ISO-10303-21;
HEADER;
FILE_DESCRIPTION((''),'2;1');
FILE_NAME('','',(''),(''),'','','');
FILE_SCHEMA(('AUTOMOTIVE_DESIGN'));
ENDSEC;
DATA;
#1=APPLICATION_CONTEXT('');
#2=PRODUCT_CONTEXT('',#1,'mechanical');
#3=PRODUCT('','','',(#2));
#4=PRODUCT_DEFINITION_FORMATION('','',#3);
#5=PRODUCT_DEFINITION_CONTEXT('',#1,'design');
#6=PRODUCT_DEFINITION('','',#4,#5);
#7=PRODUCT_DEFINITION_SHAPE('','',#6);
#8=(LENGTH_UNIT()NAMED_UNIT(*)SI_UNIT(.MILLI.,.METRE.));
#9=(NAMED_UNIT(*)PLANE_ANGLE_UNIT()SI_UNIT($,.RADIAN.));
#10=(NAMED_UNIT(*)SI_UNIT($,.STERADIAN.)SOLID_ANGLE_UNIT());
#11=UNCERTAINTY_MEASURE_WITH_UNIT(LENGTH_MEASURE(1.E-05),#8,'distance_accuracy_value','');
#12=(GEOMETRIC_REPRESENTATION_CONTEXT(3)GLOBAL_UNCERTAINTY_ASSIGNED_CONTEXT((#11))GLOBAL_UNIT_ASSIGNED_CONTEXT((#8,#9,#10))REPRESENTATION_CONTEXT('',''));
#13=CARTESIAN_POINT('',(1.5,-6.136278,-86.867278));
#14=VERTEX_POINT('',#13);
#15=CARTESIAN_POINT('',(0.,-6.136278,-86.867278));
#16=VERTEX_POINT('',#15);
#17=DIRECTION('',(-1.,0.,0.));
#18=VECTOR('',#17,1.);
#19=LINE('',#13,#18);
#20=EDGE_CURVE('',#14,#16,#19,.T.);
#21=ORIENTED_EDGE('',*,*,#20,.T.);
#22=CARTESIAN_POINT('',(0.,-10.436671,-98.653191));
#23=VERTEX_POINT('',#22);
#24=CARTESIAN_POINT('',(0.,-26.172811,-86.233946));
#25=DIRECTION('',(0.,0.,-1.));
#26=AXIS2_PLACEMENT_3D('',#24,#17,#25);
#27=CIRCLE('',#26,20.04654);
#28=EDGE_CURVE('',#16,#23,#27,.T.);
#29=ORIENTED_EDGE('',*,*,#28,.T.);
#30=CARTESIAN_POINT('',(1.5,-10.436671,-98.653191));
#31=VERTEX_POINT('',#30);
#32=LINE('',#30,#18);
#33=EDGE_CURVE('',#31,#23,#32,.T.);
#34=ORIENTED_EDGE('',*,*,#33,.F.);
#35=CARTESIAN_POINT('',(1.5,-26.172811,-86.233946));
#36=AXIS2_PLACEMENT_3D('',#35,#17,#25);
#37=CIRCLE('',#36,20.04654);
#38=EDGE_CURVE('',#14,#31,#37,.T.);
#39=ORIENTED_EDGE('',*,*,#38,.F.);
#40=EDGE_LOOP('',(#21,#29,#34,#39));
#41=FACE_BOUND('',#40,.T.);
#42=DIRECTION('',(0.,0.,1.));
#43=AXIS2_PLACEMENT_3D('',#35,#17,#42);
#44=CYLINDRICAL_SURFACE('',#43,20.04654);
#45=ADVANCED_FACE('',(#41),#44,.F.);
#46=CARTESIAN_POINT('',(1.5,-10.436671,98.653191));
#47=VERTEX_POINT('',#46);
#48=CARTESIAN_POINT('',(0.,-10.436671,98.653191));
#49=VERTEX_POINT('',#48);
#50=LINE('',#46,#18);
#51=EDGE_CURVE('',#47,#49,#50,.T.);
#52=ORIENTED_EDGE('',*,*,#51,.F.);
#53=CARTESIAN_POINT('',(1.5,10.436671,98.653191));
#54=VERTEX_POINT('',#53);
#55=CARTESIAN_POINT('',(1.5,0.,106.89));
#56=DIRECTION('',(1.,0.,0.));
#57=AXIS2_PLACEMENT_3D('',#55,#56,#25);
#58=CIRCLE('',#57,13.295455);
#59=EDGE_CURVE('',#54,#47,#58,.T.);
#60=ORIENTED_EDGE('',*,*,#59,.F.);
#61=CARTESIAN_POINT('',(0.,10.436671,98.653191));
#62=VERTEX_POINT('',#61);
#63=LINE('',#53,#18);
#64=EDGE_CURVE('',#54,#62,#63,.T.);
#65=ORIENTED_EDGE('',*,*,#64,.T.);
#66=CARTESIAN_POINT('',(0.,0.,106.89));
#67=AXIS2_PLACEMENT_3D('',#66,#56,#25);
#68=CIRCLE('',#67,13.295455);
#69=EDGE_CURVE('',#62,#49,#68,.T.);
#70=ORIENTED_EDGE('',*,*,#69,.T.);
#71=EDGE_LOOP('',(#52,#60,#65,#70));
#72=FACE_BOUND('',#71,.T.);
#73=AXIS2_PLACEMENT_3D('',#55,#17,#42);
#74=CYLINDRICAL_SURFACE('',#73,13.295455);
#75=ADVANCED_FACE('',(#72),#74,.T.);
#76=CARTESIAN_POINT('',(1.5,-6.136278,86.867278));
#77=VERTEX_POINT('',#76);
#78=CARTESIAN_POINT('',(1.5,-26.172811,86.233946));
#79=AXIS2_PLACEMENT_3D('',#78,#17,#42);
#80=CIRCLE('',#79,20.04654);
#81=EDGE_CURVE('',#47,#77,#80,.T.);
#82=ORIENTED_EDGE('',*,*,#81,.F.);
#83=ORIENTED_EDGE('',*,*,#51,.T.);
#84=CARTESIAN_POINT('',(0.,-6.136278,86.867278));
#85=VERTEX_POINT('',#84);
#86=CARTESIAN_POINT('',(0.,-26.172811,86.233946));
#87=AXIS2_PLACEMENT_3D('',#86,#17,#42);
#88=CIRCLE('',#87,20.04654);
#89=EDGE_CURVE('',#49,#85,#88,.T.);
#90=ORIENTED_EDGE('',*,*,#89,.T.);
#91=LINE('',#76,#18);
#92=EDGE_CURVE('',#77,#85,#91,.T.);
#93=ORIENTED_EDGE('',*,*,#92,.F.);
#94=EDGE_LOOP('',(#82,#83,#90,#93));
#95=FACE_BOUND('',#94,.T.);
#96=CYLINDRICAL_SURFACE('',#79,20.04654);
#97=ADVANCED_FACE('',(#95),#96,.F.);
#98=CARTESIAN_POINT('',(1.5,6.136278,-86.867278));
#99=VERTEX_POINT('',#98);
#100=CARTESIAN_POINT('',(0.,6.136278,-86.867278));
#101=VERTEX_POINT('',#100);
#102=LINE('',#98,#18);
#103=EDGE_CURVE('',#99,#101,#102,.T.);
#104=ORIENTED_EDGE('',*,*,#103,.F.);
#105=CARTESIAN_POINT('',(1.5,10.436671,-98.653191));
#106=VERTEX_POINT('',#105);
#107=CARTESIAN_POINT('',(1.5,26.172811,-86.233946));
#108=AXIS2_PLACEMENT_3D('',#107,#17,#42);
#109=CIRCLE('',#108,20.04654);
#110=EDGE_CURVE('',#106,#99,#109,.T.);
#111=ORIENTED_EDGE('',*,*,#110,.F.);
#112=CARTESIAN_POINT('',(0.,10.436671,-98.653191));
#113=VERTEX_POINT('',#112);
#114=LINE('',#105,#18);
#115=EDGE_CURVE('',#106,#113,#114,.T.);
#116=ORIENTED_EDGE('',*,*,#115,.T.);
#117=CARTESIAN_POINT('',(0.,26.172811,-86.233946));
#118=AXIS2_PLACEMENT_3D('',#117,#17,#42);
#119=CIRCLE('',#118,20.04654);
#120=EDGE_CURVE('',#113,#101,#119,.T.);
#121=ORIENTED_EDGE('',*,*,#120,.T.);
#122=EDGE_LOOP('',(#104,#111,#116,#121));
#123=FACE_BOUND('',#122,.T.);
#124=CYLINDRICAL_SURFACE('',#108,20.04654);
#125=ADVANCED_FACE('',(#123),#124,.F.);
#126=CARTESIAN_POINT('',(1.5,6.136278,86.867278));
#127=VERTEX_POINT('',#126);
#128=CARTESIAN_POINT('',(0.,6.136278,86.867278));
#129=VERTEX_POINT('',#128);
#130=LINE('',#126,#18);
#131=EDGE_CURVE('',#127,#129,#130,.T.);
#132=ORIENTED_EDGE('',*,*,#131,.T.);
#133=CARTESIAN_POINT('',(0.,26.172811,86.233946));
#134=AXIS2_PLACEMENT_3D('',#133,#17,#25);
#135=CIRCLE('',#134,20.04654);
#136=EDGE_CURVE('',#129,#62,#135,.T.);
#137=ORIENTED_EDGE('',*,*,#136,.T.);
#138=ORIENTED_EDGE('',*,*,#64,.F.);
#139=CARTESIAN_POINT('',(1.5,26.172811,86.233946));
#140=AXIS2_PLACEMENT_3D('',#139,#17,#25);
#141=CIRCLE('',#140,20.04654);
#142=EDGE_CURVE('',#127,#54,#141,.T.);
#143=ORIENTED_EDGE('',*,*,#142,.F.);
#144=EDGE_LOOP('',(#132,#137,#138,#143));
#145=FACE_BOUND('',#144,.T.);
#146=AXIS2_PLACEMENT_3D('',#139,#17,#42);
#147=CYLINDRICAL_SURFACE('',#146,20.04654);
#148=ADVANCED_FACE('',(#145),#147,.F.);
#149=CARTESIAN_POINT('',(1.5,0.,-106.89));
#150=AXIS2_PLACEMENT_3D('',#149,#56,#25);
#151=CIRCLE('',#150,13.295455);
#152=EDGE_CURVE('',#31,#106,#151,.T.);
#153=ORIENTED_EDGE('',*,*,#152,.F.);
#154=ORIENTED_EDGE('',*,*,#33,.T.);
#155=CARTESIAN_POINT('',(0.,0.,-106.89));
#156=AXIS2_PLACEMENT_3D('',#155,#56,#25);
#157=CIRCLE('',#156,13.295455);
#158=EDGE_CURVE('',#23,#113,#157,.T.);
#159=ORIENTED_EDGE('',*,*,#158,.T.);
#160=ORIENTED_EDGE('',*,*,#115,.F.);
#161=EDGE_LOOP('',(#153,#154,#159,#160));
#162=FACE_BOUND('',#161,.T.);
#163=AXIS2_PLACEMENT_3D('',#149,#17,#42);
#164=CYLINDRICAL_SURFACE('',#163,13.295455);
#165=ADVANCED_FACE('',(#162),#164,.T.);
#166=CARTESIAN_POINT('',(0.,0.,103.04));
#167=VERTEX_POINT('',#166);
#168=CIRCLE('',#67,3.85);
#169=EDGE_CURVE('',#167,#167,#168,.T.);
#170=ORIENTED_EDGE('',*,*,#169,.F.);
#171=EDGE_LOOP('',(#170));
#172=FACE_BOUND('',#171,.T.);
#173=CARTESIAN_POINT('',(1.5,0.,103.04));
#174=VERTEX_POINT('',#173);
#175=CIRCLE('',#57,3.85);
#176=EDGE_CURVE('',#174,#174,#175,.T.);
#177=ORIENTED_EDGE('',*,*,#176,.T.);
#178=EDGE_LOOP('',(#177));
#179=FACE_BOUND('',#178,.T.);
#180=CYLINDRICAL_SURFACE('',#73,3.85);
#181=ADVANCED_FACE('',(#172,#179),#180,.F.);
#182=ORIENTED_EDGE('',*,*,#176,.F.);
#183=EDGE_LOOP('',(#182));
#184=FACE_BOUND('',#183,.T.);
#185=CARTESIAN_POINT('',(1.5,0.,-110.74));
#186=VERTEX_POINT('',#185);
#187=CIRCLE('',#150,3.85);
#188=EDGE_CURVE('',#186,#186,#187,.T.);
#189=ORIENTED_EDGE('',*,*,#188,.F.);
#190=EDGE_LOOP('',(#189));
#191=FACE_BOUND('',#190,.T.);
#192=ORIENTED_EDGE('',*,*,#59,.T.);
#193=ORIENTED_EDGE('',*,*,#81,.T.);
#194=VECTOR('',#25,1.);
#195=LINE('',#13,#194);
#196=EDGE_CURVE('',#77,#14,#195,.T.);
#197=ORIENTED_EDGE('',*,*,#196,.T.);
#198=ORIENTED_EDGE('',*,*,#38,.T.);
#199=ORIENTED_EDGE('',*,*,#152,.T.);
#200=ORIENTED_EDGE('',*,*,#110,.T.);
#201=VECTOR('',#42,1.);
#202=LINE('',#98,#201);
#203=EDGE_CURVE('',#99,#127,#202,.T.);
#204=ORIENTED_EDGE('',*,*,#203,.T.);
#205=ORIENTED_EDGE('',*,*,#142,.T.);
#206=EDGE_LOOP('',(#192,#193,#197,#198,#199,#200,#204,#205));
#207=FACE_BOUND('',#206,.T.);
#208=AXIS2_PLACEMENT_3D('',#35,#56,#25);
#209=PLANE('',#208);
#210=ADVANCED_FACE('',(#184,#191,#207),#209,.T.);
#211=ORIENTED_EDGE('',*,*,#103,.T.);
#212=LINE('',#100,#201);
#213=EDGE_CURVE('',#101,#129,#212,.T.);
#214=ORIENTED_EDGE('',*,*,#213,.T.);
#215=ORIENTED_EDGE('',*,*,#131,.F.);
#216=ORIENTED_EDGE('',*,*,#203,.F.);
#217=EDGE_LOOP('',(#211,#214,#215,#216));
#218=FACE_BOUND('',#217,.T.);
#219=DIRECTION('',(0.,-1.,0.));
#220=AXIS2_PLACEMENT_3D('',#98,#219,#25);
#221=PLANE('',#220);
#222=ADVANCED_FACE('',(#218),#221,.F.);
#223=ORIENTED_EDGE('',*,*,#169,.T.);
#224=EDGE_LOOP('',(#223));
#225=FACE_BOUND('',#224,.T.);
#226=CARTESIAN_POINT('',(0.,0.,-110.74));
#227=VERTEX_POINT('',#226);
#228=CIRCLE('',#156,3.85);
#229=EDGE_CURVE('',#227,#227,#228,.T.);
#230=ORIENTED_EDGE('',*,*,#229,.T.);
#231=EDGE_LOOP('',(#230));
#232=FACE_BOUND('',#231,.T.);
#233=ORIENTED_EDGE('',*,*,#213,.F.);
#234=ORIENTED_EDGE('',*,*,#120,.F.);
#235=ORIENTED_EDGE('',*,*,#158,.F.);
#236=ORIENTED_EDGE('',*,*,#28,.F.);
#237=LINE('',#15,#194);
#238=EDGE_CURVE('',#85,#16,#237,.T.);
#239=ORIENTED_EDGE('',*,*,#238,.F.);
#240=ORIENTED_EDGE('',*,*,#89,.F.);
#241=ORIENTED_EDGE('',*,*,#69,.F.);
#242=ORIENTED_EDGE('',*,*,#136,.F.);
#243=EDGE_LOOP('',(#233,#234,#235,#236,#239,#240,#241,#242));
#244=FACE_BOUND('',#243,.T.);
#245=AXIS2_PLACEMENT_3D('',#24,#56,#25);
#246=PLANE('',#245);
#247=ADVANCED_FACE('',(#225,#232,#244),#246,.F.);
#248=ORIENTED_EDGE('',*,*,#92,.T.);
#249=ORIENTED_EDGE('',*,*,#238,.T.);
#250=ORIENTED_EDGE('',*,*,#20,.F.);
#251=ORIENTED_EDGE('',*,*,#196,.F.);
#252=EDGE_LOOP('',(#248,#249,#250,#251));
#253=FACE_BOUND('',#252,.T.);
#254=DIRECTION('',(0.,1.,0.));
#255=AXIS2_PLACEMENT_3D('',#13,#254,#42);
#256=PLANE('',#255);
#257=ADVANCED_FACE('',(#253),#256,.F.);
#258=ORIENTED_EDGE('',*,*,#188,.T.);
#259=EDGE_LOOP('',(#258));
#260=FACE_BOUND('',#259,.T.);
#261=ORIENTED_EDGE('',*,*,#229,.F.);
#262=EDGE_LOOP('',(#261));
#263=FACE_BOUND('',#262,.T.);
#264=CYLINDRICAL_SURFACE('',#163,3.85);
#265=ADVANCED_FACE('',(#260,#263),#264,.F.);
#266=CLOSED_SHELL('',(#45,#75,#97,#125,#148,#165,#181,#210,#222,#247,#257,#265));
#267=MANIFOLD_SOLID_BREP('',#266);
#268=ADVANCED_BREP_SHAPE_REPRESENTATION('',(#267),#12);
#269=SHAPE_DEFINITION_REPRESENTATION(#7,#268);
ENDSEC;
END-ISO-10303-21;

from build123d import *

# Parameters (mm, degrees)
SKETCH_2_R      = 3.85
EXTRUDE_1_DEPTH = 1.5


with BuildPart() as part:
    # 草圖2 → 填料-伸長1 (new body)
    with BuildSketch(Plane(origin=(0, 0, 0), x_dir=(0, 0, -1), z_dir=(1, 0, 0))):
        with BuildLine():
            Line((86.867278103, 6.136277943), (-86.867278103, 6.136277943))
            ThreePointArc((-86.867278103, 6.136277943), (-93.10532064, 7.340711326), (-98.653191396, 10.436670715))
            ThreePointArc((-98.653191396, 10.436670715), (-120.185454546, 0), (-98.653191396, -10.436670715))
            ThreePointArc((-98.653191396, -10.436670715), (-93.10532064, -7.340711326), (-86.867278103, -6.136277943))
            Line((-86.867278103, -6.136277943), (86.867278103, -6.136277943))
            ThreePointArc((86.867278103, -6.136277943), (93.10532064, -7.340711326), (98.653191396, -10.436670715))
            ThreePointArc((98.653191396, -10.436670715), (120.185454546, 0), (98.653191396, 10.436670715))
            ThreePointArc((98.653191396, 10.436670715), (93.10532064, 7.340711326), (86.867278103, 6.136277943))
        make_face()
        with Locations((-106.89, 0)):
            Circle(SKETCH_2_R, mode=Mode.SUBTRACT)
        with Locations((106.89, 0)):
            Circle(SKETCH_2_R, mode=Mode.SUBTRACT)
    extrude(amount=EXTRUDE_1_DEPTH)


solid = part.part
